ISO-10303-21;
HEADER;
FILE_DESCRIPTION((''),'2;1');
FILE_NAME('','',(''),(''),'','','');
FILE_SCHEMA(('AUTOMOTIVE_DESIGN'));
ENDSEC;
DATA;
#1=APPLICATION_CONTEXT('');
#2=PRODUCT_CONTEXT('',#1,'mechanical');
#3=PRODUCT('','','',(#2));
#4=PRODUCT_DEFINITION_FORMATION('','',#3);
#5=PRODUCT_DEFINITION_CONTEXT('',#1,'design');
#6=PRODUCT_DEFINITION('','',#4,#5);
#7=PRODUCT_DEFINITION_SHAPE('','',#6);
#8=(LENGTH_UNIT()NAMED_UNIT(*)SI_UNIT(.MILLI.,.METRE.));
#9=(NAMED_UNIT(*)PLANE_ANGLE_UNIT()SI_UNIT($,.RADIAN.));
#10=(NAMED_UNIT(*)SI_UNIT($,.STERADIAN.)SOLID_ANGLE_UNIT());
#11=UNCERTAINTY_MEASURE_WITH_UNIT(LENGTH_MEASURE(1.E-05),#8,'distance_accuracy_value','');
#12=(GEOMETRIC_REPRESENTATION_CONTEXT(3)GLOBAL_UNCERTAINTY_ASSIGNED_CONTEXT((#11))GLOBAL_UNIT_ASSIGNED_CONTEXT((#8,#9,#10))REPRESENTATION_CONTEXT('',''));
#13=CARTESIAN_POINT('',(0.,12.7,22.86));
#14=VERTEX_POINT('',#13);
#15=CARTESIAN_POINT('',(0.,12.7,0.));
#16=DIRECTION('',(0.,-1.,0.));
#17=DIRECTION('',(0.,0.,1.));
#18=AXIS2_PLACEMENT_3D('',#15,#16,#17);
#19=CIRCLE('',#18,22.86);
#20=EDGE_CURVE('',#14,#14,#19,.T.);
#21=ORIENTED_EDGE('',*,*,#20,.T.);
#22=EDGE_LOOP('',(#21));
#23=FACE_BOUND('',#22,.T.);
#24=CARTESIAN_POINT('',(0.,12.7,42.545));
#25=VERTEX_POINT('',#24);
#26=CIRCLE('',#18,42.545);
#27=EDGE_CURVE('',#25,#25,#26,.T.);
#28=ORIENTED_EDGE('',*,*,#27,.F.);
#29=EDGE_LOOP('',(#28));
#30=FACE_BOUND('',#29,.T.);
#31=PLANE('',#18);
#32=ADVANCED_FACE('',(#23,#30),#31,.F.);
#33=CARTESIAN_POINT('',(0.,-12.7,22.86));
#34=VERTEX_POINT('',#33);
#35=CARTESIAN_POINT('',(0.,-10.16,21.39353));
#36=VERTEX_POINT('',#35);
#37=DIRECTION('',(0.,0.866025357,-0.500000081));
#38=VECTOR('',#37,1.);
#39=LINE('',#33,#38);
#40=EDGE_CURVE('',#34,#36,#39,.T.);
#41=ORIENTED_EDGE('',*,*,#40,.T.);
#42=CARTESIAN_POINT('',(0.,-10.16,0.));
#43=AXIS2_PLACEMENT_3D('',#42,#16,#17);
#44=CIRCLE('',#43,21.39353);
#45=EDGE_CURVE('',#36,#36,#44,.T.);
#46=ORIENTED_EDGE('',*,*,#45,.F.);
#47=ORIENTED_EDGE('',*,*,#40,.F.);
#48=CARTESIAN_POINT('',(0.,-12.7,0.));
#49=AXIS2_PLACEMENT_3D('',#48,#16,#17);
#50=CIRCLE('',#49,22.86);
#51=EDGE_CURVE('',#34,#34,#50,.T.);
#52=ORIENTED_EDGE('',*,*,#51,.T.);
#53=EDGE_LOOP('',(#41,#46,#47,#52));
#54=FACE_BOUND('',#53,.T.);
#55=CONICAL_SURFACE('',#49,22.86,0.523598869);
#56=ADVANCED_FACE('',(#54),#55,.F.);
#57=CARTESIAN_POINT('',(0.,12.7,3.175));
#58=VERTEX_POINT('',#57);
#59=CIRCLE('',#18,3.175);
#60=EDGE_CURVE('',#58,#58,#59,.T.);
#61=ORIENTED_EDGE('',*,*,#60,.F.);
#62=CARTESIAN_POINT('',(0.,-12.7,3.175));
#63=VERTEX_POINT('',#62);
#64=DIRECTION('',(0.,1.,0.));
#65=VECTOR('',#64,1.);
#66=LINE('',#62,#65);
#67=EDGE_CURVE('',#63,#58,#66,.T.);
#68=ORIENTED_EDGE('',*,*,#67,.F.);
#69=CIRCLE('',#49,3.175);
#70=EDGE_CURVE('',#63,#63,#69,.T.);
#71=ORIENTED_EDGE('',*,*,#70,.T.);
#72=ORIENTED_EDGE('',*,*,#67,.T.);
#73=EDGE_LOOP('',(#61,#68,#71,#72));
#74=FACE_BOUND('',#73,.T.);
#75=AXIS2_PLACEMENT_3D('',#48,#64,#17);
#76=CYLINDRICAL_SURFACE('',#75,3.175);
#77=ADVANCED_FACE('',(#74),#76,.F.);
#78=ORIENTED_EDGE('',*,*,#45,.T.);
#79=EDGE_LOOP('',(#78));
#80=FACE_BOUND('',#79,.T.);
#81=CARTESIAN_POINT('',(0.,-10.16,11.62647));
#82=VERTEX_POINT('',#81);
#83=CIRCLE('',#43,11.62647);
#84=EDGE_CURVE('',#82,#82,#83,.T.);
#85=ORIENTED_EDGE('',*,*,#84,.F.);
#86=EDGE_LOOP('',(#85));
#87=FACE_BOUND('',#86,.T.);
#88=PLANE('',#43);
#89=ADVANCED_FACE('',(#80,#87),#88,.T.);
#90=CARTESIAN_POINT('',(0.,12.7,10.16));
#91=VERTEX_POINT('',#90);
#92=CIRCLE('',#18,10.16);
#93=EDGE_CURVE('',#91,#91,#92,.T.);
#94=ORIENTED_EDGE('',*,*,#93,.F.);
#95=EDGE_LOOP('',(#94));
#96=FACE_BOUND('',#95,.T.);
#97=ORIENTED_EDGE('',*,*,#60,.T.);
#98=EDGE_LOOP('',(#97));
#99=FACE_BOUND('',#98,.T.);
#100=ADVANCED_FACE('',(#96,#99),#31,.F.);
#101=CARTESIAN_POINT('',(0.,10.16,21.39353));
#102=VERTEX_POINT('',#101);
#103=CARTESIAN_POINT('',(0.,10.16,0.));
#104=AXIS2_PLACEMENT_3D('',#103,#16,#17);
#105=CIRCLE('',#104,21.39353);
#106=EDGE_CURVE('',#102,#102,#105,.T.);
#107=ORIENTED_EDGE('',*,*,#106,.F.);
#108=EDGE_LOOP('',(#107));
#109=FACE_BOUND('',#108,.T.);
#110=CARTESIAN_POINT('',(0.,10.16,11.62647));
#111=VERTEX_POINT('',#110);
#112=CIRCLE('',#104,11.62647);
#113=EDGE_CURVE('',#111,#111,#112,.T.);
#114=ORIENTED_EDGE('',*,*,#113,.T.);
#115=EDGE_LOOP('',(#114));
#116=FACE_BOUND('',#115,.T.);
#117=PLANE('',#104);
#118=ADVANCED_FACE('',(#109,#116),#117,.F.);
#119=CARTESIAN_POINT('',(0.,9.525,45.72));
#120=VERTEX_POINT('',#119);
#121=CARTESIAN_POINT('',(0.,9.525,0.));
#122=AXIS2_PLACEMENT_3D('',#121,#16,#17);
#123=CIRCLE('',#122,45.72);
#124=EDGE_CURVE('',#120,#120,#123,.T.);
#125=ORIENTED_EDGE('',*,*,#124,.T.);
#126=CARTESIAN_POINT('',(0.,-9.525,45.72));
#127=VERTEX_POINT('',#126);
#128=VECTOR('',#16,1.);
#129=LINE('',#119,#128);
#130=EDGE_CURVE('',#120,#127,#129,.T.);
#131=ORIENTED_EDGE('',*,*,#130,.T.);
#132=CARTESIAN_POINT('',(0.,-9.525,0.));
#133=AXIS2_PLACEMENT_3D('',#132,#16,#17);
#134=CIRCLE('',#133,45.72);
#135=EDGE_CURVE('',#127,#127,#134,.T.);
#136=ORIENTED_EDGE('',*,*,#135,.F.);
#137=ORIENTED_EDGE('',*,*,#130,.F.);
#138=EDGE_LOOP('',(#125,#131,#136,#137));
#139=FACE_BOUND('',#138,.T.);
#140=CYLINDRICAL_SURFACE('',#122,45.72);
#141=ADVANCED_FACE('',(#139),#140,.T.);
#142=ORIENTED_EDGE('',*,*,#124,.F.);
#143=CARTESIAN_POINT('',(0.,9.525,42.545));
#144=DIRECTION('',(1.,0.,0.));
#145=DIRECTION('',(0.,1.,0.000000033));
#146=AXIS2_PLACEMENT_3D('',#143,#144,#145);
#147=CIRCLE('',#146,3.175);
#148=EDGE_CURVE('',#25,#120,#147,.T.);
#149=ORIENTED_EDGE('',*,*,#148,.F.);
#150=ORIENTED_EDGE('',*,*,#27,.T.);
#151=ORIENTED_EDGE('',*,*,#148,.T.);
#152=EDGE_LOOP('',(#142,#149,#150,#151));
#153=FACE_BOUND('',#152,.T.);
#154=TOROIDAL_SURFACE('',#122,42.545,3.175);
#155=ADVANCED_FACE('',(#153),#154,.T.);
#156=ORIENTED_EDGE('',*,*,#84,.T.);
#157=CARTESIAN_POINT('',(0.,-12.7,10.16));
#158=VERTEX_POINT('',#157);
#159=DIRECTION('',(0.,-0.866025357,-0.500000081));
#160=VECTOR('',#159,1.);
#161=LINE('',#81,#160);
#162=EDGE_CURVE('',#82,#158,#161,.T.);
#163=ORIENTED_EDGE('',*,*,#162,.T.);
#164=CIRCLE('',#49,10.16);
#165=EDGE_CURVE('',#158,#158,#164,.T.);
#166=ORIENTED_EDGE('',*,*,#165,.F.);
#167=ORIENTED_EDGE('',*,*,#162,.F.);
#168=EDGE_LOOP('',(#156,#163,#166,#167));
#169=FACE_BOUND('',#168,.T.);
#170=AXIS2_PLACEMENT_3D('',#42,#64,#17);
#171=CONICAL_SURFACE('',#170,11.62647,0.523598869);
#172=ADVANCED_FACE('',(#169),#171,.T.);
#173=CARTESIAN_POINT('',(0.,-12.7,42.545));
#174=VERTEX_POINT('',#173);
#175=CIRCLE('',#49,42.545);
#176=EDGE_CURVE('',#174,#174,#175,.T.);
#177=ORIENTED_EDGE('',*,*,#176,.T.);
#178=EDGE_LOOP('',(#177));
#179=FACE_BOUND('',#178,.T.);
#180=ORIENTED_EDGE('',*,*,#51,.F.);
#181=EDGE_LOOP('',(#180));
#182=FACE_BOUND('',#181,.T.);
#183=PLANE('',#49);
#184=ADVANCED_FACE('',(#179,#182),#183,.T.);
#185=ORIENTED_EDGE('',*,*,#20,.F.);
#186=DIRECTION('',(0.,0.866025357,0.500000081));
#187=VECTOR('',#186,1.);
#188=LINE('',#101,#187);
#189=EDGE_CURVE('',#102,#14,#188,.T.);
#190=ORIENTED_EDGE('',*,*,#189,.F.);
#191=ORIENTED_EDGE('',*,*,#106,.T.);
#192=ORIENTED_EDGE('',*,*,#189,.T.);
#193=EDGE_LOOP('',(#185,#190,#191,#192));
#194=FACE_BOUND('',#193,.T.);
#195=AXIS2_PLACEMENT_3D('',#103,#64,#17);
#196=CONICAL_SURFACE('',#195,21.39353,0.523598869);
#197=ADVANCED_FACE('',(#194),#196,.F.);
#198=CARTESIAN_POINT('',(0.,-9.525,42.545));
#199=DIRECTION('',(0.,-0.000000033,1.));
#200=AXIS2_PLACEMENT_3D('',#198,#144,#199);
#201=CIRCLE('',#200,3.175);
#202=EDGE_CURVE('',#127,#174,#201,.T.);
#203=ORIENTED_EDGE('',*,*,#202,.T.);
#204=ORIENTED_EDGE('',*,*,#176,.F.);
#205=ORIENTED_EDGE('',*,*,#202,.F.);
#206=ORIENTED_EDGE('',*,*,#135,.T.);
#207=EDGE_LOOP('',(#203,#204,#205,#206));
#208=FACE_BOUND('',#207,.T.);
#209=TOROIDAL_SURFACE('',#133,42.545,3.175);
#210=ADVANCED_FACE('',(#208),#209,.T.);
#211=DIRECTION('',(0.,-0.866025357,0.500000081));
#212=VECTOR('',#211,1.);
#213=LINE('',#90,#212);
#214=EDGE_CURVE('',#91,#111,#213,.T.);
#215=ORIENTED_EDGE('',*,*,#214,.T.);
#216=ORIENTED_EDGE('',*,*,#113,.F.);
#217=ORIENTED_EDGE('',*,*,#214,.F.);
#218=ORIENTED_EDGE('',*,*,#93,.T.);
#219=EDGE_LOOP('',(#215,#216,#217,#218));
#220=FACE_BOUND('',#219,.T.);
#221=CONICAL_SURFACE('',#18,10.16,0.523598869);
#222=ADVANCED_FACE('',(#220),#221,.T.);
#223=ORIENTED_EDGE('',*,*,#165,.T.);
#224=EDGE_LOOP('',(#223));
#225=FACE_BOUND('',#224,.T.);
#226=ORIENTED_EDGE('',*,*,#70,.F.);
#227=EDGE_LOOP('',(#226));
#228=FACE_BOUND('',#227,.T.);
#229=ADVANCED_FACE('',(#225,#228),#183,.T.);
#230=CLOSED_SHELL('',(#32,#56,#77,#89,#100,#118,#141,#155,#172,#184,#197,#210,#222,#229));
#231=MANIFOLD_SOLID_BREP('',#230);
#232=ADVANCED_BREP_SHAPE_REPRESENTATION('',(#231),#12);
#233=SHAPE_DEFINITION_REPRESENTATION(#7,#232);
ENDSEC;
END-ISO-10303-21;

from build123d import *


with BuildPart() as f1:
    # F0 (on Right) → F1 (revolve)
    with BuildSketch(Plane.YZ):
        with BuildLine():
            Line((-12.7, 3.175), (12.7, 3.175))
            Line((12.7, 3.175), (12.7, 10.16))
            Line((12.7, 10.16), (10.16, 11.62647))
            Line((10.16, 11.62647), (10.16, 21.39353))
            Line((10.16, 21.39353), (12.7, 22.86))
            Line((12.7, 22.86), (12.7, 42.545))
            ThreePointArc((12.7, 42.545), (11.770064, 44.790064), (9.525, 45.72))
            Line((9.525, 45.72), (-9.525, 45.72))
            ThreePointArc((-9.525, 45.72), (-11.770064, 44.790064), (-12.7, 42.545))
            Line((-12.7, 42.545), (-12.7, 22.86))
            Line((-12.7, 22.86), (-10.16, 21.39353))
            Line((-10.16, 21.39353), (-10.16, 11.62647))
            Line((-10.16, 11.62647), (-12.7, 10.16))
            Line((-12.7, 10.16), (-12.7, 3.175))
        make_face()
    revolve(axis=Axis((0, -22.93878, 0), (0, -1, 0)))


with BuildPart() as f2_1:
    # F2: copy of F1
    add(f1.part)


solid = f2_1.part
